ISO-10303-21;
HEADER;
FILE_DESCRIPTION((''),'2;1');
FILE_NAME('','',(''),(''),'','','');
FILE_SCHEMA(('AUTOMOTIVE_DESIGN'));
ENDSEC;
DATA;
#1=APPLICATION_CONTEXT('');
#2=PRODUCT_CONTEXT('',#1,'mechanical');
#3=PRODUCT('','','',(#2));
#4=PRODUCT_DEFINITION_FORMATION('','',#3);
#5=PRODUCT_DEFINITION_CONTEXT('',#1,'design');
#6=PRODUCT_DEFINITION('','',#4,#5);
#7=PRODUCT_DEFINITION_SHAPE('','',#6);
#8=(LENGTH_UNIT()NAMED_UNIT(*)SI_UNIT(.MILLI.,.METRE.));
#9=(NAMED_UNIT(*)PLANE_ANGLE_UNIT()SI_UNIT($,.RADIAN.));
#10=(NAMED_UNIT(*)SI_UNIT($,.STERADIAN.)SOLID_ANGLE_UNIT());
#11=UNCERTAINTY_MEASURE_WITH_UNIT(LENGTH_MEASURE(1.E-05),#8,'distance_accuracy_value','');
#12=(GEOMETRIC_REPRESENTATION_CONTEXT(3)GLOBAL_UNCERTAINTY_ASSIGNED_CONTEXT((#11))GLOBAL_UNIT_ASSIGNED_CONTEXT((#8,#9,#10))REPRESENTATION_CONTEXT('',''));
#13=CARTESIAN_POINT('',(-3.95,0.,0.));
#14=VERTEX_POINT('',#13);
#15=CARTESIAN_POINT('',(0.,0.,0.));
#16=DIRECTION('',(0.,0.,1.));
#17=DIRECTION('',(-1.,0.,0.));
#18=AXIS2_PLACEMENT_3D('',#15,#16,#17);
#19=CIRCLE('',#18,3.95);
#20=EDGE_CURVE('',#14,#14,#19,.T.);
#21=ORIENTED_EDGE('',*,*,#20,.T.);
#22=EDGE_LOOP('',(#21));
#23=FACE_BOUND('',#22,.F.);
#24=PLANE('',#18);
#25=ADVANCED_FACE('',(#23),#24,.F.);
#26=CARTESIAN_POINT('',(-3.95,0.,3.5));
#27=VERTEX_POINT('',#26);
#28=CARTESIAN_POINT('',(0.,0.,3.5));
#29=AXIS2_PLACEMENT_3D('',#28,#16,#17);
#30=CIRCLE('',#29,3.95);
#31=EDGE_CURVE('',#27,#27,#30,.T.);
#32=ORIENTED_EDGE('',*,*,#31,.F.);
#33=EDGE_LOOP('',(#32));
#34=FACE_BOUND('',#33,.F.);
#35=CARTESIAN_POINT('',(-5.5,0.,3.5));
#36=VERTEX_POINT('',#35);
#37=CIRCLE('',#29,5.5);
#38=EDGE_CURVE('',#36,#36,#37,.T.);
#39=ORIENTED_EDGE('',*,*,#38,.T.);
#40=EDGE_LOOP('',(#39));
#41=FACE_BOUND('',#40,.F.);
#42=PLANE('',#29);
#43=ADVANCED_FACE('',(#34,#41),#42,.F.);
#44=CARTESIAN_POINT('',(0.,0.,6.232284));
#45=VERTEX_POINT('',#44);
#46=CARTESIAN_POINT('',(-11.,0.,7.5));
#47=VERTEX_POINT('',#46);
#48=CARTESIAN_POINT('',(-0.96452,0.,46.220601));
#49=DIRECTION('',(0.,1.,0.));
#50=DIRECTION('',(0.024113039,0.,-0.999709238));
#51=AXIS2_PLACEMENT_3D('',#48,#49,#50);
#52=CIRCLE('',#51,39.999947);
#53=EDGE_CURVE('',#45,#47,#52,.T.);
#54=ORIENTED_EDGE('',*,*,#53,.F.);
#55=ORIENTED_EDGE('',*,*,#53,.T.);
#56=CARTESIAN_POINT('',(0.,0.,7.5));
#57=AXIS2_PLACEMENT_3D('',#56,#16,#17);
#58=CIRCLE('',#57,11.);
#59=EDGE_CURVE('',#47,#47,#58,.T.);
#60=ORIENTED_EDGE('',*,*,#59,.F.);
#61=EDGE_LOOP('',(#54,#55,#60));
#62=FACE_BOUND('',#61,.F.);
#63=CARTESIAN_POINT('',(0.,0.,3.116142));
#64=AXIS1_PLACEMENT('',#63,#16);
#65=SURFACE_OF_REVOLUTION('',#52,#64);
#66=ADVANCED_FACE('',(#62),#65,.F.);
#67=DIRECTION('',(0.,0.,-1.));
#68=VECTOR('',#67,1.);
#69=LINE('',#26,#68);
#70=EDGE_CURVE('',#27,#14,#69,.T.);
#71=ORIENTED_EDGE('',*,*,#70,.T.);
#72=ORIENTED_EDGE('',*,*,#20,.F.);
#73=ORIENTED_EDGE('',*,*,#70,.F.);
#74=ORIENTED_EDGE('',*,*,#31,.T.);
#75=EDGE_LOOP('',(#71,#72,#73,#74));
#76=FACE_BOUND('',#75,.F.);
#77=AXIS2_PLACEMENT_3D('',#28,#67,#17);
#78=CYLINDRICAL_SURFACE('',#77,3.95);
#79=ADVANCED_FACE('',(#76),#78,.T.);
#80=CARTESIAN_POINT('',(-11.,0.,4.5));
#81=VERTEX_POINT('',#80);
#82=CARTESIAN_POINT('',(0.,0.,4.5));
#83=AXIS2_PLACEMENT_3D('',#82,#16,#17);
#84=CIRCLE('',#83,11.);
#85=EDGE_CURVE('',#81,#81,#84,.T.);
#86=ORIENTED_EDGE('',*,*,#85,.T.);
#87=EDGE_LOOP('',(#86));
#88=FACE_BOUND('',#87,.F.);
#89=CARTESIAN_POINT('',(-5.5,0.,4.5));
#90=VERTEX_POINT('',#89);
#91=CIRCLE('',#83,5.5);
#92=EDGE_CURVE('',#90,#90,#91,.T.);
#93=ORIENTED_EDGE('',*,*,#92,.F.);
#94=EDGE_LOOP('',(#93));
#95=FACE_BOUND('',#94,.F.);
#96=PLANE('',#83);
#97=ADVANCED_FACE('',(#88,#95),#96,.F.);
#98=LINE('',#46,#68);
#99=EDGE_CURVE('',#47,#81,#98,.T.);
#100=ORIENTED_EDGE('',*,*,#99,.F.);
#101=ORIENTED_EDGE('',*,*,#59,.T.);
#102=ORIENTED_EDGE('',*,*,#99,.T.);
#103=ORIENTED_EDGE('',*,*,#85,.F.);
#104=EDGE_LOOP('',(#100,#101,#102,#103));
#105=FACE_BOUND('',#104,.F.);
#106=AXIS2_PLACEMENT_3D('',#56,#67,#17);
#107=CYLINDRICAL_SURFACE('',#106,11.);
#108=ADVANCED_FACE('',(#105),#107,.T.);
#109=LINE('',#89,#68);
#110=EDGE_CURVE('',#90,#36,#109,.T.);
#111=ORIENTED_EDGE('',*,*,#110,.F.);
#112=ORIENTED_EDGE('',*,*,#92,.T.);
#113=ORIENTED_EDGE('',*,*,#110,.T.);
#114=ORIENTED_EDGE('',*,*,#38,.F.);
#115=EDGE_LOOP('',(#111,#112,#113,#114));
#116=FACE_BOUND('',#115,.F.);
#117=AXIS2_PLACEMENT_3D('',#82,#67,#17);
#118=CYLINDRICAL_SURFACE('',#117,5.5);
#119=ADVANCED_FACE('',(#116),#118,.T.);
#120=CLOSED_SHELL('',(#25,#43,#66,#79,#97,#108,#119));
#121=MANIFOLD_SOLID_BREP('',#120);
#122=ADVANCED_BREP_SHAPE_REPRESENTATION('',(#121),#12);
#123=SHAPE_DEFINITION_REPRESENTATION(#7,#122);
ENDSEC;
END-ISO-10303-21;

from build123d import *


with BuildPart() as f1:
    # F0 (on Front) → F1 (revolve)
    with BuildSketch(Plane.XZ):
        with BuildLine():
            Line((-3.95, 0), (0, 0))
            Line((0, 0), (0, 6.232284))
            ThreePointArc((0, 6.232284), (-5.544078, 6.483673), (-11, 7.5))
            Line((-11, 7.5), (-11, 4.5))
            Line((-11, 4.5), (-5.5, 4.5))
            Line((-5.5, 4.5), (-5.5, 3.5))
            Line((-5.5, 3.5), (-3.95, 3.5))
            Line((-3.95, 3.5), (-3.95, 0))
        make_face()
    revolve(axis=Axis((0, 0, 3.116142), (0, 0, 1)))


solid = f1.part
